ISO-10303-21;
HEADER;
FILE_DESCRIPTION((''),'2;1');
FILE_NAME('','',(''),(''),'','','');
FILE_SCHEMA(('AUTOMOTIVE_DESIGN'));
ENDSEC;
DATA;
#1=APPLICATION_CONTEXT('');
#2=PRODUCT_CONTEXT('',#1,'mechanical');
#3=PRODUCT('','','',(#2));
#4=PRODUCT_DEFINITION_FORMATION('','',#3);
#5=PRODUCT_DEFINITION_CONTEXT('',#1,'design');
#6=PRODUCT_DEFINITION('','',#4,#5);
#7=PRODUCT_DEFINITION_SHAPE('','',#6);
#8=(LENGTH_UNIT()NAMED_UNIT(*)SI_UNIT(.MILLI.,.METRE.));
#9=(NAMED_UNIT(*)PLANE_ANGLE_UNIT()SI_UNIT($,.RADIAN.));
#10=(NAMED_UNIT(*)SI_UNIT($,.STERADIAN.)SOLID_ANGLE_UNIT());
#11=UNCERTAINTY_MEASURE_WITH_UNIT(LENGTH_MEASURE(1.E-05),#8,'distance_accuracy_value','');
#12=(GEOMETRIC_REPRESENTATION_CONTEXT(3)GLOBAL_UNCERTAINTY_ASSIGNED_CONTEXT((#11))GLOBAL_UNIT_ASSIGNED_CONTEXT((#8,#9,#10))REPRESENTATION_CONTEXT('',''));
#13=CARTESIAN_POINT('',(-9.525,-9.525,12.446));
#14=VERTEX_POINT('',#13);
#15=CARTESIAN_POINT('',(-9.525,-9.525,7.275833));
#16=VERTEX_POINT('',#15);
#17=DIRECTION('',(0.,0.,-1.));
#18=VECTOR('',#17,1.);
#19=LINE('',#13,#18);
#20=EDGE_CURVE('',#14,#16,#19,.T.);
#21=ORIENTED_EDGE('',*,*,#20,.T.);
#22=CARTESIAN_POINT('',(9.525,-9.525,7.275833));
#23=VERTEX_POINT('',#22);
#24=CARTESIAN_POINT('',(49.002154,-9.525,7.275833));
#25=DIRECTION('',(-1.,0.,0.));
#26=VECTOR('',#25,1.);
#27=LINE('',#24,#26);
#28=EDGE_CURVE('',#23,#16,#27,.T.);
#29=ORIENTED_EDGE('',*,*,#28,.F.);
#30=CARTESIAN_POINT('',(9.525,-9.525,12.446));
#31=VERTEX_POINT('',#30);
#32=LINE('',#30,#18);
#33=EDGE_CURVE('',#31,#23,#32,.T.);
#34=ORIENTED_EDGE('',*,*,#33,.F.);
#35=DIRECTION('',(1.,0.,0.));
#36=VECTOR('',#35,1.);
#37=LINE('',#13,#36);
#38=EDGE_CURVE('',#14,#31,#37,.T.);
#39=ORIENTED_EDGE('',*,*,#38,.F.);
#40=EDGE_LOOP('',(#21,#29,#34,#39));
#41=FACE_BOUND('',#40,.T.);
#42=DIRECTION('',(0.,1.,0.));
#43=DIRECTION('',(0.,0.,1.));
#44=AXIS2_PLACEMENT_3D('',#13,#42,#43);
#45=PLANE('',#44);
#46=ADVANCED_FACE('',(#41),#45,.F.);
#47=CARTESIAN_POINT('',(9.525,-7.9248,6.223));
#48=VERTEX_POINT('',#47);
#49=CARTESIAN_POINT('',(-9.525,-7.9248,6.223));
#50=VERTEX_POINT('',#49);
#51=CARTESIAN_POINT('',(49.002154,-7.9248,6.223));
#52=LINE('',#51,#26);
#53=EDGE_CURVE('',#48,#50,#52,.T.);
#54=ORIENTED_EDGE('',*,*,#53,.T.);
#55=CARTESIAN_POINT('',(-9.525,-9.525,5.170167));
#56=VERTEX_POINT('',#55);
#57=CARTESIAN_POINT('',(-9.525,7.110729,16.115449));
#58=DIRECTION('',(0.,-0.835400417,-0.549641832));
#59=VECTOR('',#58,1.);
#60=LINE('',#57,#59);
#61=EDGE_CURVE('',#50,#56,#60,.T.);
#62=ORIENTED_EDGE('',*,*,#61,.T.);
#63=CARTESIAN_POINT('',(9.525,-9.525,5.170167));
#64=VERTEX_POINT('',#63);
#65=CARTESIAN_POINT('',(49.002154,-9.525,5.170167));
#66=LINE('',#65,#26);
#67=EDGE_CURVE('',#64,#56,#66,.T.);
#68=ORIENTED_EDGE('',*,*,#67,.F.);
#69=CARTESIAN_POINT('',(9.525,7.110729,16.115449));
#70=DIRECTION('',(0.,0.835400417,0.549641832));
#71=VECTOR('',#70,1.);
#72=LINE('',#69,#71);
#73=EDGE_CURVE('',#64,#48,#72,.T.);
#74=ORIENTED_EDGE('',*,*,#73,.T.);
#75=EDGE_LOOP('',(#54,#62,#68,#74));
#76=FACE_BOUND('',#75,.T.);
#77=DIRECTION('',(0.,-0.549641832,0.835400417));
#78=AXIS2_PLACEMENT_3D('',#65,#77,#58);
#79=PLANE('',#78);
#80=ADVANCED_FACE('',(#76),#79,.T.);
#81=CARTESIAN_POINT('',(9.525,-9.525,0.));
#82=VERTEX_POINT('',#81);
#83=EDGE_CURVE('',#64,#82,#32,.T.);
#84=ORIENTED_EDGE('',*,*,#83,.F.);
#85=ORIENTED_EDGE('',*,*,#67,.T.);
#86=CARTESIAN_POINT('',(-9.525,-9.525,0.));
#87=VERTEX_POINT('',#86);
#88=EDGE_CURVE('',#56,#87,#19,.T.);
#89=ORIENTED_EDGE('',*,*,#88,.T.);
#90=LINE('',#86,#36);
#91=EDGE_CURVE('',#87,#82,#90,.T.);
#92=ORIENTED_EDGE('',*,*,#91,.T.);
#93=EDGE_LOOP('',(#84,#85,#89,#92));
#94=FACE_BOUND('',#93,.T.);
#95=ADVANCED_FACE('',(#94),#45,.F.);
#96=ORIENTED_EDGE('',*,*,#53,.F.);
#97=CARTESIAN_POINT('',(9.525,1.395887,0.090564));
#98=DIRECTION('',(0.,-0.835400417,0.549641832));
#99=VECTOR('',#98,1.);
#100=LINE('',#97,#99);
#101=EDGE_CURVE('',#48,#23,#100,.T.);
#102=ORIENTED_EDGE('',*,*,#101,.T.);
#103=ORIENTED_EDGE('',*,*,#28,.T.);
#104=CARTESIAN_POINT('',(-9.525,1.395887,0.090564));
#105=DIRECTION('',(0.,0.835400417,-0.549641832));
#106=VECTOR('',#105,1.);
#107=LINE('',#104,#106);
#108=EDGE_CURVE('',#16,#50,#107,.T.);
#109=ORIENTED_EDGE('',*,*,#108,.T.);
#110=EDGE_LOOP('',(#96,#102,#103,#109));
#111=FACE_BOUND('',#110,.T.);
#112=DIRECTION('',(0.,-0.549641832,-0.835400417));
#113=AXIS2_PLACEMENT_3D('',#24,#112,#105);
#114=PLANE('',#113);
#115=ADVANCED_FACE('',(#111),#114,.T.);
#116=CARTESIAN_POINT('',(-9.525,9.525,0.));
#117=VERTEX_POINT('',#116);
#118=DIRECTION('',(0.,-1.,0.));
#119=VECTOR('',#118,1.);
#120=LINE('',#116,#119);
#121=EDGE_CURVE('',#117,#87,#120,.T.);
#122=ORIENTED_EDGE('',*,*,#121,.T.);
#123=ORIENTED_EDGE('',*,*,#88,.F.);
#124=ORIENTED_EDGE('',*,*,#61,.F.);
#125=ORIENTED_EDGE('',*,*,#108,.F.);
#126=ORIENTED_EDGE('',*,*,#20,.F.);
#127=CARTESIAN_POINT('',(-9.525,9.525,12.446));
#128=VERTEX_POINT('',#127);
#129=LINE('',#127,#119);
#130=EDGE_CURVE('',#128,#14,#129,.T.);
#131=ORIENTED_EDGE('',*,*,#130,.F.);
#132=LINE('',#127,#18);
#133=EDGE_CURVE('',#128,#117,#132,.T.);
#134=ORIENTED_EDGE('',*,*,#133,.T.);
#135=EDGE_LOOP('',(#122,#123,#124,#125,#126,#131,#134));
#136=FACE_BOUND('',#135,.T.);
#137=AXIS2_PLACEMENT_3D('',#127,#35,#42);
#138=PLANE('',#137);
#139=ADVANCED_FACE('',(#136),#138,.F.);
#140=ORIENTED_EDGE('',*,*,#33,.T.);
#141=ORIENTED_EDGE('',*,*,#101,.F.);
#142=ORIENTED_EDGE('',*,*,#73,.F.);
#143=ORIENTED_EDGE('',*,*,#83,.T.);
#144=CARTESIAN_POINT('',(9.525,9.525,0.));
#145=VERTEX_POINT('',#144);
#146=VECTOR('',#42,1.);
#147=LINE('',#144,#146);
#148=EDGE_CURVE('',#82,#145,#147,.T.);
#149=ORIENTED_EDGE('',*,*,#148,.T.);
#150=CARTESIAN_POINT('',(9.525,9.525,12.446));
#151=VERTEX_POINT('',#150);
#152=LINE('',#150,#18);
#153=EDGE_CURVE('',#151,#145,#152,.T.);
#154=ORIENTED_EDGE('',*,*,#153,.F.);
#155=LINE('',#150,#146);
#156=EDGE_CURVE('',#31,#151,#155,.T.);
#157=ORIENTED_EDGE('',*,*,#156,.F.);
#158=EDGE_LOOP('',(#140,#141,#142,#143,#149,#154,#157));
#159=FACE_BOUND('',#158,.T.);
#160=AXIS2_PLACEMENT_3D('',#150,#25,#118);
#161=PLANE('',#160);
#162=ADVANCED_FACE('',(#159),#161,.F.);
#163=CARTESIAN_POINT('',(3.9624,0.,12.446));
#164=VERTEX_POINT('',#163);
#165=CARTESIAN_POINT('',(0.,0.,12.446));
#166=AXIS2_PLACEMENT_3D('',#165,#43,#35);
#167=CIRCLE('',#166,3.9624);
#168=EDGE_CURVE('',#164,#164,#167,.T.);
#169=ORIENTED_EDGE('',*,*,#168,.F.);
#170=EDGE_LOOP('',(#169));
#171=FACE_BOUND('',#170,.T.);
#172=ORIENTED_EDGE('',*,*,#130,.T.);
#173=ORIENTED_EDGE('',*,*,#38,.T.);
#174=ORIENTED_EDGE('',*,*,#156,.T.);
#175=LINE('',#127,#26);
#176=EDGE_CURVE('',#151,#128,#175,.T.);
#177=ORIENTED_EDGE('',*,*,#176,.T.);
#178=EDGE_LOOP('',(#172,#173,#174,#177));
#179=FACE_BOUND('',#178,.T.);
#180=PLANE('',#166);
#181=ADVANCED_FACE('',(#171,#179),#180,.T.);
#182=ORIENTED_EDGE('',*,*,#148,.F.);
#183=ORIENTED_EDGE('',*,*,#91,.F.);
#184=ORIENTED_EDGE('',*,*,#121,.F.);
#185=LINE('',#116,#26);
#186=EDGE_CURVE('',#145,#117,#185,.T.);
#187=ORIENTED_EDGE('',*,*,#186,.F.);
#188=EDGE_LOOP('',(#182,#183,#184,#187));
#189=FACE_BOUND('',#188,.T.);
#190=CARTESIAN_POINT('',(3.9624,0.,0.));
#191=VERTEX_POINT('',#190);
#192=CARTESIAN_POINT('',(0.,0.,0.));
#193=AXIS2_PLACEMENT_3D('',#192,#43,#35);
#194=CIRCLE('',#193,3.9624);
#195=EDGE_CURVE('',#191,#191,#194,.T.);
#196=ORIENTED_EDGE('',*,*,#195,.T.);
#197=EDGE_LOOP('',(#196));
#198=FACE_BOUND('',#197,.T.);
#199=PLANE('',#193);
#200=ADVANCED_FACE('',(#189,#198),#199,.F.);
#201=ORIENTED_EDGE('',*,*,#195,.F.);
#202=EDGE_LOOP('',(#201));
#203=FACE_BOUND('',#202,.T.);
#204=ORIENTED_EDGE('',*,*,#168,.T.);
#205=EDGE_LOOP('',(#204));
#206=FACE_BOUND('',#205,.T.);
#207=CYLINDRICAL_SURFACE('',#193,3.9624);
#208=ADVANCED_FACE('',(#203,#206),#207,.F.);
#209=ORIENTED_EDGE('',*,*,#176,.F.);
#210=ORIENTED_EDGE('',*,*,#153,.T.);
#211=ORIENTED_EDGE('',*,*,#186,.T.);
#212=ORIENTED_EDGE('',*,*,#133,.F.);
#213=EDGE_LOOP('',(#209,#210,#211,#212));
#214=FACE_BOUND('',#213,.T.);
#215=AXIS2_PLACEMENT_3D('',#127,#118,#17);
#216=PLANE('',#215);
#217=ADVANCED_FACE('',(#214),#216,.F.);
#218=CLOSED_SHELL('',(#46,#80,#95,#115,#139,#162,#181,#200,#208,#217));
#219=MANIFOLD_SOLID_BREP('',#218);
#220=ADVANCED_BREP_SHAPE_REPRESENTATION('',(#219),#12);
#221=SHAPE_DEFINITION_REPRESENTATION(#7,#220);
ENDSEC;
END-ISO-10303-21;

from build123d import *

# Parameters (mm, degrees)
SKETCH3_W               = 19.05
SKETCH3_H               = 19.05
BOSS_EXTRUDE2_DEPTH     = 12.446
SKETCH4_R               = 3.9624
CUT_EXTRUDE2_DEPTH      = 19.339960905
CUT_EXTRUDE3_DEPTH      = 19.339960905
CUT_EXTRUDE3_DEPTH_BACK = 19.339960905


with BuildPart() as part:
    # Sketch3 → Boss-Extrude2 (new body)
    with BuildSketch(Plane.XY):
        Rectangle(SKETCH3_W, SKETCH3_H)
    extrude(amount=BOSS_EXTRUDE2_DEPTH)

    # Sketch4 → Cut-Extrude2 (cut, through all)
    with BuildSketch(Plane.XY.offset(12.446)):
        Circle(SKETCH4_R)
    extrude(amount=-CUT_EXTRUDE2_DEPTH, mode=Mode.SUBTRACT)

    # Sketch9 → Cut-Extrude3 (cut, two sides: drawn at the far end of the back side and taken through both)
    with BuildSketch(Plane(origin=(0, 0, 0), x_dir=(0, 0, -1), z_dir=(1, 0, 0)).offset(-CUT_EXTRUDE3_DEPTH_BACK)):
        Polygon((-35.189020778, -51.950244205), (-7.275832681, -9.525), (-6.223, -7.9248), (-5.170167319, -9.525), (22.743020778, -51.950244205), (22.743020778, -153.518889278), (-35.189020778, -153.518889278), align=None)
    extrude(amount=CUT_EXTRUDE3_DEPTH + CUT_EXTRUDE3_DEPTH_BACK, mode=Mode.SUBTRACT)


solid = part.part
